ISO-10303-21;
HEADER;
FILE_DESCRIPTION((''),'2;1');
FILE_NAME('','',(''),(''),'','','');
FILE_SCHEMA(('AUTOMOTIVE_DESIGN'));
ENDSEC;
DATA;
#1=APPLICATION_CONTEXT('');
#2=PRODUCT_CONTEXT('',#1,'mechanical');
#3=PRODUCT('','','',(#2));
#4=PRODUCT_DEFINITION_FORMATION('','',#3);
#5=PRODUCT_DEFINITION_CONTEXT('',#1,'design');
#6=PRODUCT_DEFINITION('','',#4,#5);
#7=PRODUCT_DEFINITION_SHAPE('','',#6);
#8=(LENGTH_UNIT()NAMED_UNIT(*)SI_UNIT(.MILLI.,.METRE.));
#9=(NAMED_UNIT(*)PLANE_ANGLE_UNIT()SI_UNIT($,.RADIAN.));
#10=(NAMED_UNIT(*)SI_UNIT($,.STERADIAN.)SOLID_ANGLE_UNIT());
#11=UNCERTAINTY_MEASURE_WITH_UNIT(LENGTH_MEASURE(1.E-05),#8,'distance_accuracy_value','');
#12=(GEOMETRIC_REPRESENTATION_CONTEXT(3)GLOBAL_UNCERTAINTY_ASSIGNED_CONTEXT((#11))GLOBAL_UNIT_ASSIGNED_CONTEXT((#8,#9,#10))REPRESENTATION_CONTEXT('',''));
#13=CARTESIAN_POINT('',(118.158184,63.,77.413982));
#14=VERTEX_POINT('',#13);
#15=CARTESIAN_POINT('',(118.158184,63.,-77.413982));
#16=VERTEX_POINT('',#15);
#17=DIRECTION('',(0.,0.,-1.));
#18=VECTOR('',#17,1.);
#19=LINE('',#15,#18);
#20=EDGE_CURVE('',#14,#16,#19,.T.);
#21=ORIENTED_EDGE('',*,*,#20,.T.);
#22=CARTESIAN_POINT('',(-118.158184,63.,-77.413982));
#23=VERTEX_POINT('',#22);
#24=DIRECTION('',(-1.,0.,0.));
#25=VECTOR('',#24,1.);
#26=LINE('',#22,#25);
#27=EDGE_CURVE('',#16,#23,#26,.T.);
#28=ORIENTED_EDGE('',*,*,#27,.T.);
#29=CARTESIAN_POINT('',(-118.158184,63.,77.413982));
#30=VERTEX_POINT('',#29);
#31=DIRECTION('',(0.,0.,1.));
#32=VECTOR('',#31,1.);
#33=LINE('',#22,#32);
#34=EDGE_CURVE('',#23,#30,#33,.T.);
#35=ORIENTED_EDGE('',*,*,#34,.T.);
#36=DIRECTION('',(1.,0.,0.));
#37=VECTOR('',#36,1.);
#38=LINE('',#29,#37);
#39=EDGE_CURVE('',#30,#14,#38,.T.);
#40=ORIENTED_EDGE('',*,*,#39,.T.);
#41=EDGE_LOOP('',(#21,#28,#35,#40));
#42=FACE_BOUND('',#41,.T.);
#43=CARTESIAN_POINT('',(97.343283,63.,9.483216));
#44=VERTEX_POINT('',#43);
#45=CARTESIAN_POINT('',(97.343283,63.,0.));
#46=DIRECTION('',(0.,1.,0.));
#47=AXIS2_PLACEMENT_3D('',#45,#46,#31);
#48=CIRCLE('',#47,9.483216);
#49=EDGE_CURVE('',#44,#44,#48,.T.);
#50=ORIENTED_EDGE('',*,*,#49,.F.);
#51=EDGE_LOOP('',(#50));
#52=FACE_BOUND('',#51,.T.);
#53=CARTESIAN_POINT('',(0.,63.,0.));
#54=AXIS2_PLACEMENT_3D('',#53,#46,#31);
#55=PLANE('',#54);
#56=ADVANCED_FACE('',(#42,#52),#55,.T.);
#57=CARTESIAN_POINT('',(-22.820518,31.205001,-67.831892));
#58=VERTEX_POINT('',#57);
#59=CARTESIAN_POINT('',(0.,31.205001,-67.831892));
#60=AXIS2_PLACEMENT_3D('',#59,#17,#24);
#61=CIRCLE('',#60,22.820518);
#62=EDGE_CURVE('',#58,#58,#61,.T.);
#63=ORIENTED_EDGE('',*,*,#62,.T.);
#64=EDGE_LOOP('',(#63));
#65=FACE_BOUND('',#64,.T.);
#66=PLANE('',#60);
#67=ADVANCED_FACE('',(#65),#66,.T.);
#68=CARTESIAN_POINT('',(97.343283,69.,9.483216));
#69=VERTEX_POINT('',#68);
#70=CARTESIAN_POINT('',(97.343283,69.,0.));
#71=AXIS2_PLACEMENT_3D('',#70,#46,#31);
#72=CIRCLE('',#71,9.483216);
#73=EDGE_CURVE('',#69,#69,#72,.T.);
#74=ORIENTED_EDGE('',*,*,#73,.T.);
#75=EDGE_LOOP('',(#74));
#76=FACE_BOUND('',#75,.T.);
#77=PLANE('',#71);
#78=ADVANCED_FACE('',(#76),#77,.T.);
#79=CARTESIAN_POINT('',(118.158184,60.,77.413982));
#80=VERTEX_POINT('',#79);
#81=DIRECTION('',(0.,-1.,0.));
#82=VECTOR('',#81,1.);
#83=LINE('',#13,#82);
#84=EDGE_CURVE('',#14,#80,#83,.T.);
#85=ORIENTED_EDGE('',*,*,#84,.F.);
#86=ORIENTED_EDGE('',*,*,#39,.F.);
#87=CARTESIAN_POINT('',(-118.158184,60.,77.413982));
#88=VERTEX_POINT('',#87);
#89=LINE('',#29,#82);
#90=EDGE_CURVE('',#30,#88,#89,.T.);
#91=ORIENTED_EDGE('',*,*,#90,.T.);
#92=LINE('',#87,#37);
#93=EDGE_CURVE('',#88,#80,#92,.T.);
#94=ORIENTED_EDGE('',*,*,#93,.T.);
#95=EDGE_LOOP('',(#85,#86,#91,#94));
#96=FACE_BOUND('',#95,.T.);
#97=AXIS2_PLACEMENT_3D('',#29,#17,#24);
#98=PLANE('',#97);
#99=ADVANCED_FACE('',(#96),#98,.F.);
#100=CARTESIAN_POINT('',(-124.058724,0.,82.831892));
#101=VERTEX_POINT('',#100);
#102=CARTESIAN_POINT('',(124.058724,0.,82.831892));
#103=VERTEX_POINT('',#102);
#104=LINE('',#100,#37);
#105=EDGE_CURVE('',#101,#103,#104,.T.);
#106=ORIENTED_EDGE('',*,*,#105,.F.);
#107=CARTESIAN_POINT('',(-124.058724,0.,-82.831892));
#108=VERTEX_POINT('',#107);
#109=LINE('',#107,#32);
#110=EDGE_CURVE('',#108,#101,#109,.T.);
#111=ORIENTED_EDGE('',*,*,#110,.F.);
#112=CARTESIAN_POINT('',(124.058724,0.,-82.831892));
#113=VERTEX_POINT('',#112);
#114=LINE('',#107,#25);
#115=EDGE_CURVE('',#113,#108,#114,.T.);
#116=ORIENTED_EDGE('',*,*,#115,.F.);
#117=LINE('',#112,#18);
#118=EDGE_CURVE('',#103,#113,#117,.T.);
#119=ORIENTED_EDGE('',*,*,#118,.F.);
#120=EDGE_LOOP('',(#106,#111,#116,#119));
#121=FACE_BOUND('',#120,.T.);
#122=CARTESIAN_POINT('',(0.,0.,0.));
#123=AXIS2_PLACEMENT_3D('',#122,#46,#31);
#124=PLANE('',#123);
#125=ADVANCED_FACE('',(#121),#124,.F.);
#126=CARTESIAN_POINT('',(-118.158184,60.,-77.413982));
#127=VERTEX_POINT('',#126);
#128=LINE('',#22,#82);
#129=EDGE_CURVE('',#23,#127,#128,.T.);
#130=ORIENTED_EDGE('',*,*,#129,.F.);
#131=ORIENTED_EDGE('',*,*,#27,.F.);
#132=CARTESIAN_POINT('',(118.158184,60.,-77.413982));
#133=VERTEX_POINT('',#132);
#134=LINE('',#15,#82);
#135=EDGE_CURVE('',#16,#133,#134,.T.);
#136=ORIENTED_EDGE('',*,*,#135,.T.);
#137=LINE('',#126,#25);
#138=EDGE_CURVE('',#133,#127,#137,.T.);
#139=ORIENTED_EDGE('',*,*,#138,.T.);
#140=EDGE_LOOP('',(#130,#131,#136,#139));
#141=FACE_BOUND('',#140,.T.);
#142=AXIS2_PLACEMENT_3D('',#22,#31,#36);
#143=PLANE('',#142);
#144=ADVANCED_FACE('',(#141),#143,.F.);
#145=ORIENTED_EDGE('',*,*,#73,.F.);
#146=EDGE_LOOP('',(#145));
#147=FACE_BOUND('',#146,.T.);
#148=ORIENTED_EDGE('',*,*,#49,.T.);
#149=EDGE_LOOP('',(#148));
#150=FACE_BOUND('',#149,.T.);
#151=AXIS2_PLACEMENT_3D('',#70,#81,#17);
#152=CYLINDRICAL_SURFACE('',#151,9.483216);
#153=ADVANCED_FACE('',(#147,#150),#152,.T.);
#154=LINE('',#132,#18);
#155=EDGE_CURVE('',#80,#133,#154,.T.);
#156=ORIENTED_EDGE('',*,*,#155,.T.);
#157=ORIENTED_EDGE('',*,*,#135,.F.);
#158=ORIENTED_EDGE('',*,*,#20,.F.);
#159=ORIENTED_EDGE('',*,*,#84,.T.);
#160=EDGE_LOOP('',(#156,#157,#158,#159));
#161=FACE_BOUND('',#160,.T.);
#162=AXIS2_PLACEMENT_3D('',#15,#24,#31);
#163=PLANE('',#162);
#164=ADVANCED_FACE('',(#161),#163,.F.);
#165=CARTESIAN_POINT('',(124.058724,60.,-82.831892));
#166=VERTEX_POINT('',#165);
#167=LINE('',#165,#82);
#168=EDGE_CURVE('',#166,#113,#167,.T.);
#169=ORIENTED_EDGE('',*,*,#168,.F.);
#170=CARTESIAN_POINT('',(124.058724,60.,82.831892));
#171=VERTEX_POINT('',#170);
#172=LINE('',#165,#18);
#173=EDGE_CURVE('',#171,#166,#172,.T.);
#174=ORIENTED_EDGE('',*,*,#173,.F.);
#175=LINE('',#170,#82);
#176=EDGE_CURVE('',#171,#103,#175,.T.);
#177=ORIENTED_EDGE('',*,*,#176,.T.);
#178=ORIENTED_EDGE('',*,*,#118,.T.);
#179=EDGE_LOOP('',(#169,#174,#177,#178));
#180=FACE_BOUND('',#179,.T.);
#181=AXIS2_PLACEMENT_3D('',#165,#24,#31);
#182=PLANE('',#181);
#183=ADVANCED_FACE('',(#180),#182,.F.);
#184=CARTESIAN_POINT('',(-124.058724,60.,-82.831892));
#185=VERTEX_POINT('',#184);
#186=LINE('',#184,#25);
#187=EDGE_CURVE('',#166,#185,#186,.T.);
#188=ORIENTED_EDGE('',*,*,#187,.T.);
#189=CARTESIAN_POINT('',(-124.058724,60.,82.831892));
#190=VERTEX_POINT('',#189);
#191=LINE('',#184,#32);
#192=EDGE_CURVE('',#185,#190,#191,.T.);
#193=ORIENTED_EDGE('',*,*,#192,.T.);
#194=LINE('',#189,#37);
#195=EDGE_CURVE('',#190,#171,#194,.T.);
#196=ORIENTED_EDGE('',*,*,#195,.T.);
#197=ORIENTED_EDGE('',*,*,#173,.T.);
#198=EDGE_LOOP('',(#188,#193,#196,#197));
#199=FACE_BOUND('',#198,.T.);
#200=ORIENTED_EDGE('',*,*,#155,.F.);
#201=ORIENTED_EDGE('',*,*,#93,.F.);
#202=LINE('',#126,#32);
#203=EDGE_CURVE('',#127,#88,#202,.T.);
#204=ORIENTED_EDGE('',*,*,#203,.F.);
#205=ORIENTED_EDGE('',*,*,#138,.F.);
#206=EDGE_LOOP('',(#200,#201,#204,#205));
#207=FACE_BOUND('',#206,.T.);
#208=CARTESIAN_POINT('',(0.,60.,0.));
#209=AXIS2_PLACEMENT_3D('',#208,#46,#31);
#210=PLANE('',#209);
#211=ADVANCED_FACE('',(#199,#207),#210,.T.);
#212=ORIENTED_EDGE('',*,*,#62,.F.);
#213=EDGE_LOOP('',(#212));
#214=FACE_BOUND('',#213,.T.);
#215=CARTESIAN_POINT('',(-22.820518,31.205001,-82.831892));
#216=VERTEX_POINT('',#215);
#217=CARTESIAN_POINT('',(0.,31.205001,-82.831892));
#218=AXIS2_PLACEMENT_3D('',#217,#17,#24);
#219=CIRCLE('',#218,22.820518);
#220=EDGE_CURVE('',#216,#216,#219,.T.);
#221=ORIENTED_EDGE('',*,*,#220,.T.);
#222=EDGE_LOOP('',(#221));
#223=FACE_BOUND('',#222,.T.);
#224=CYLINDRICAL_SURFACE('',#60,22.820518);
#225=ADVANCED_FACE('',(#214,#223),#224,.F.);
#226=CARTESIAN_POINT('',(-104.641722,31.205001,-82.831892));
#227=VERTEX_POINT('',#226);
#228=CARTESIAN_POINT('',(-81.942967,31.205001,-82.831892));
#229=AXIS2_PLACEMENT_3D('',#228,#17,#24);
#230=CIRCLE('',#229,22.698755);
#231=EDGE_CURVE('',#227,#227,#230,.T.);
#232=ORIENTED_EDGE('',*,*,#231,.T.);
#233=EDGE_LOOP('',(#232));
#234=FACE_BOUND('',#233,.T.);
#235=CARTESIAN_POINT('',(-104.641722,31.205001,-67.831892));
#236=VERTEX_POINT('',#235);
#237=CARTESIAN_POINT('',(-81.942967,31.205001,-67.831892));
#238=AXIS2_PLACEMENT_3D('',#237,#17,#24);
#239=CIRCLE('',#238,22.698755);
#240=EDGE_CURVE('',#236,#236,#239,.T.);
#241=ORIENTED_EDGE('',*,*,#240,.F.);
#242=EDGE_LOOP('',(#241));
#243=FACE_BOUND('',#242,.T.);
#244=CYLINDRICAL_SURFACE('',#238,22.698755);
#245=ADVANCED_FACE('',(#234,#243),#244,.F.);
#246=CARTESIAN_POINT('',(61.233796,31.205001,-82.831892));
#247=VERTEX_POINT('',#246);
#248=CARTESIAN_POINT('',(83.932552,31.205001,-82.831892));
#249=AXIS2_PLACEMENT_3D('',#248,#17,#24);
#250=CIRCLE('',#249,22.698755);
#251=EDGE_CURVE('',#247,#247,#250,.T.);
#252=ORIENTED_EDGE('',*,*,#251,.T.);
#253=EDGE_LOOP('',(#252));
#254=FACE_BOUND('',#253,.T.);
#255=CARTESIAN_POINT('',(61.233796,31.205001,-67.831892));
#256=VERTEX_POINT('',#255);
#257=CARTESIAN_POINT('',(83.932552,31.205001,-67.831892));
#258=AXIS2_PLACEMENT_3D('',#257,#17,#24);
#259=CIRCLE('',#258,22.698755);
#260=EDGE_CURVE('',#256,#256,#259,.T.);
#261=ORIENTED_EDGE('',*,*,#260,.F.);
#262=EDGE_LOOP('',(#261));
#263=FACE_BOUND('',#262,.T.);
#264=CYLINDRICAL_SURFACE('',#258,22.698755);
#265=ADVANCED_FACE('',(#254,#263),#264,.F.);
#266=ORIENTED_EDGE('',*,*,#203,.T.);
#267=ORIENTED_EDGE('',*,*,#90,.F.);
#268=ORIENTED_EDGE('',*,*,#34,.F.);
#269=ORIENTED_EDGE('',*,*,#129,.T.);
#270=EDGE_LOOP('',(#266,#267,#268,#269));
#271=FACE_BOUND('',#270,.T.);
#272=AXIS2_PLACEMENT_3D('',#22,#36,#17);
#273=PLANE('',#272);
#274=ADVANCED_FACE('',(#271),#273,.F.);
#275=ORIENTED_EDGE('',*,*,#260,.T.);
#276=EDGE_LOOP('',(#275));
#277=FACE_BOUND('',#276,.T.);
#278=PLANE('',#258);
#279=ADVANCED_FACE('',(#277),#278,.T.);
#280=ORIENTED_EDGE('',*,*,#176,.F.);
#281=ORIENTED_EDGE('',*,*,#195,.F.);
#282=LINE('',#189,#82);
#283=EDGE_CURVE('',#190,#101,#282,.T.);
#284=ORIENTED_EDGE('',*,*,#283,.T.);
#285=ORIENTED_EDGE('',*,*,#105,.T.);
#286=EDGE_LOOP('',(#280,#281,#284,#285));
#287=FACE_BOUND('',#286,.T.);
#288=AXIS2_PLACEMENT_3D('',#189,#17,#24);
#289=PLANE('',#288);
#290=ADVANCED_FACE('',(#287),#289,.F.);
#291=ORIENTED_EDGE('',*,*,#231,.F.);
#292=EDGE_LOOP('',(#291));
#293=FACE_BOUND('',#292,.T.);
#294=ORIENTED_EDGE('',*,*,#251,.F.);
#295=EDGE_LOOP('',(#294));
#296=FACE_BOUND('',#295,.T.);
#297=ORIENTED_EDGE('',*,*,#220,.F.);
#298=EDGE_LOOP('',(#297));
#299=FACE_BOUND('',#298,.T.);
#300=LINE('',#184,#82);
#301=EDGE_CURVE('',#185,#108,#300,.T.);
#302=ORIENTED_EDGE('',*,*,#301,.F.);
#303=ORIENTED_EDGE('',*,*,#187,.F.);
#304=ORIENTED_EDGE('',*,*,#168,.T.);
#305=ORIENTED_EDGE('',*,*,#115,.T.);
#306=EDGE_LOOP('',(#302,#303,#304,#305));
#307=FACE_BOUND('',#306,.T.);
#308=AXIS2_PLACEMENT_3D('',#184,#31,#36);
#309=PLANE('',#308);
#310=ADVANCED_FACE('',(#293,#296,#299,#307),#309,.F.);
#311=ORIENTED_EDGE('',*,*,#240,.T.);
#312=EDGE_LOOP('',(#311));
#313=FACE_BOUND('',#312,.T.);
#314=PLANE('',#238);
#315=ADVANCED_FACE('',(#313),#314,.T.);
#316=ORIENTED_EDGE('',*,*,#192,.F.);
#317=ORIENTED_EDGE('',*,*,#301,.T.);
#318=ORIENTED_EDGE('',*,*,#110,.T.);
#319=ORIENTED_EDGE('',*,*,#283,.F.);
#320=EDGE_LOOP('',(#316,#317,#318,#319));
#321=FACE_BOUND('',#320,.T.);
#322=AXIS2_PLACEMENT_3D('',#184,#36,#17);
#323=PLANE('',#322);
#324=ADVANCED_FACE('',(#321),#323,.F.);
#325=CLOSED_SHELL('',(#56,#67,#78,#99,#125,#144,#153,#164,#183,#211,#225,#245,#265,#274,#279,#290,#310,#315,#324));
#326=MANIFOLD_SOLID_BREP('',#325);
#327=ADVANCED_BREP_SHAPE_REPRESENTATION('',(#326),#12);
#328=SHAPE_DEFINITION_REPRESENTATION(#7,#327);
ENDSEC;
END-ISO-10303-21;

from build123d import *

# Parameters (mm, degrees)
SKETCH1_W           = 248.117447686
SKETCH1_H           = 165.663783668
BOSS_EXTRUDE1_DEPTH = 60
SKETCH2_W           = 236.316367542
SKETCH2_H           = 154.827964942
BOSS_EXTRUDE2_DEPTH = 3
SKETCH3_R           = 9.48321581
BOSS_EXTRUDE3_DEPTH = 6
SKETCH4_R           = 22.698755204
SKETCH4_R_2         = 22.820518268
CUT_EXTRUDE1_DEPTH  = 15


with BuildPart() as part:
    # Sketch1 → Boss-Extrude1 (new body)
    with BuildSketch(Plane(origin=(0, 0, 0), x_dir=(1, 0, 0), z_dir=(0, 1, 0))):
        Rectangle(SKETCH1_W, SKETCH1_H)
    extrude(amount=BOSS_EXTRUDE1_DEPTH)

    # Sketch2 → Boss-Extrude2 (add)
    with BuildSketch(Plane(origin=(0, 60, 0), x_dir=(1, 0, 0), z_dir=(0, 1, 0))):
        Rectangle(SKETCH2_W, SKETCH2_H)
    extrude(amount=BOSS_EXTRUDE2_DEPTH)

    # Sketch3 → Boss-Extrude3 (add)
    with BuildSketch(Plane(origin=(0, 63, 0), x_dir=(1, 0, 0), z_dir=(0, 1, 0))):
        with Locations(Location((97.343283416, 0, 0), (0, 0, 270))):
            Circle(SKETCH3_R)
    extrude(amount=BOSS_EXTRUDE3_DEPTH)

    # Sketch4 → Cut-Extrude1 (cut)
    with BuildSketch(Plane(origin=(0, 0, -82.831891834), x_dir=(-1, 0, 0), z_dir=(0, 0, -1))):
        with Locations((-83.93255151, 31.205001036)):
            Circle(SKETCH4_R)
        with Locations((0, 31.205001036)):
            Circle(SKETCH4_R_2)
        with Locations((81.942967289, 31.205001036)):
            Circle(SKETCH4_R)
    extrude(amount=-CUT_EXTRUDE1_DEPTH, mode=Mode.SUBTRACT)


solid = part.part
